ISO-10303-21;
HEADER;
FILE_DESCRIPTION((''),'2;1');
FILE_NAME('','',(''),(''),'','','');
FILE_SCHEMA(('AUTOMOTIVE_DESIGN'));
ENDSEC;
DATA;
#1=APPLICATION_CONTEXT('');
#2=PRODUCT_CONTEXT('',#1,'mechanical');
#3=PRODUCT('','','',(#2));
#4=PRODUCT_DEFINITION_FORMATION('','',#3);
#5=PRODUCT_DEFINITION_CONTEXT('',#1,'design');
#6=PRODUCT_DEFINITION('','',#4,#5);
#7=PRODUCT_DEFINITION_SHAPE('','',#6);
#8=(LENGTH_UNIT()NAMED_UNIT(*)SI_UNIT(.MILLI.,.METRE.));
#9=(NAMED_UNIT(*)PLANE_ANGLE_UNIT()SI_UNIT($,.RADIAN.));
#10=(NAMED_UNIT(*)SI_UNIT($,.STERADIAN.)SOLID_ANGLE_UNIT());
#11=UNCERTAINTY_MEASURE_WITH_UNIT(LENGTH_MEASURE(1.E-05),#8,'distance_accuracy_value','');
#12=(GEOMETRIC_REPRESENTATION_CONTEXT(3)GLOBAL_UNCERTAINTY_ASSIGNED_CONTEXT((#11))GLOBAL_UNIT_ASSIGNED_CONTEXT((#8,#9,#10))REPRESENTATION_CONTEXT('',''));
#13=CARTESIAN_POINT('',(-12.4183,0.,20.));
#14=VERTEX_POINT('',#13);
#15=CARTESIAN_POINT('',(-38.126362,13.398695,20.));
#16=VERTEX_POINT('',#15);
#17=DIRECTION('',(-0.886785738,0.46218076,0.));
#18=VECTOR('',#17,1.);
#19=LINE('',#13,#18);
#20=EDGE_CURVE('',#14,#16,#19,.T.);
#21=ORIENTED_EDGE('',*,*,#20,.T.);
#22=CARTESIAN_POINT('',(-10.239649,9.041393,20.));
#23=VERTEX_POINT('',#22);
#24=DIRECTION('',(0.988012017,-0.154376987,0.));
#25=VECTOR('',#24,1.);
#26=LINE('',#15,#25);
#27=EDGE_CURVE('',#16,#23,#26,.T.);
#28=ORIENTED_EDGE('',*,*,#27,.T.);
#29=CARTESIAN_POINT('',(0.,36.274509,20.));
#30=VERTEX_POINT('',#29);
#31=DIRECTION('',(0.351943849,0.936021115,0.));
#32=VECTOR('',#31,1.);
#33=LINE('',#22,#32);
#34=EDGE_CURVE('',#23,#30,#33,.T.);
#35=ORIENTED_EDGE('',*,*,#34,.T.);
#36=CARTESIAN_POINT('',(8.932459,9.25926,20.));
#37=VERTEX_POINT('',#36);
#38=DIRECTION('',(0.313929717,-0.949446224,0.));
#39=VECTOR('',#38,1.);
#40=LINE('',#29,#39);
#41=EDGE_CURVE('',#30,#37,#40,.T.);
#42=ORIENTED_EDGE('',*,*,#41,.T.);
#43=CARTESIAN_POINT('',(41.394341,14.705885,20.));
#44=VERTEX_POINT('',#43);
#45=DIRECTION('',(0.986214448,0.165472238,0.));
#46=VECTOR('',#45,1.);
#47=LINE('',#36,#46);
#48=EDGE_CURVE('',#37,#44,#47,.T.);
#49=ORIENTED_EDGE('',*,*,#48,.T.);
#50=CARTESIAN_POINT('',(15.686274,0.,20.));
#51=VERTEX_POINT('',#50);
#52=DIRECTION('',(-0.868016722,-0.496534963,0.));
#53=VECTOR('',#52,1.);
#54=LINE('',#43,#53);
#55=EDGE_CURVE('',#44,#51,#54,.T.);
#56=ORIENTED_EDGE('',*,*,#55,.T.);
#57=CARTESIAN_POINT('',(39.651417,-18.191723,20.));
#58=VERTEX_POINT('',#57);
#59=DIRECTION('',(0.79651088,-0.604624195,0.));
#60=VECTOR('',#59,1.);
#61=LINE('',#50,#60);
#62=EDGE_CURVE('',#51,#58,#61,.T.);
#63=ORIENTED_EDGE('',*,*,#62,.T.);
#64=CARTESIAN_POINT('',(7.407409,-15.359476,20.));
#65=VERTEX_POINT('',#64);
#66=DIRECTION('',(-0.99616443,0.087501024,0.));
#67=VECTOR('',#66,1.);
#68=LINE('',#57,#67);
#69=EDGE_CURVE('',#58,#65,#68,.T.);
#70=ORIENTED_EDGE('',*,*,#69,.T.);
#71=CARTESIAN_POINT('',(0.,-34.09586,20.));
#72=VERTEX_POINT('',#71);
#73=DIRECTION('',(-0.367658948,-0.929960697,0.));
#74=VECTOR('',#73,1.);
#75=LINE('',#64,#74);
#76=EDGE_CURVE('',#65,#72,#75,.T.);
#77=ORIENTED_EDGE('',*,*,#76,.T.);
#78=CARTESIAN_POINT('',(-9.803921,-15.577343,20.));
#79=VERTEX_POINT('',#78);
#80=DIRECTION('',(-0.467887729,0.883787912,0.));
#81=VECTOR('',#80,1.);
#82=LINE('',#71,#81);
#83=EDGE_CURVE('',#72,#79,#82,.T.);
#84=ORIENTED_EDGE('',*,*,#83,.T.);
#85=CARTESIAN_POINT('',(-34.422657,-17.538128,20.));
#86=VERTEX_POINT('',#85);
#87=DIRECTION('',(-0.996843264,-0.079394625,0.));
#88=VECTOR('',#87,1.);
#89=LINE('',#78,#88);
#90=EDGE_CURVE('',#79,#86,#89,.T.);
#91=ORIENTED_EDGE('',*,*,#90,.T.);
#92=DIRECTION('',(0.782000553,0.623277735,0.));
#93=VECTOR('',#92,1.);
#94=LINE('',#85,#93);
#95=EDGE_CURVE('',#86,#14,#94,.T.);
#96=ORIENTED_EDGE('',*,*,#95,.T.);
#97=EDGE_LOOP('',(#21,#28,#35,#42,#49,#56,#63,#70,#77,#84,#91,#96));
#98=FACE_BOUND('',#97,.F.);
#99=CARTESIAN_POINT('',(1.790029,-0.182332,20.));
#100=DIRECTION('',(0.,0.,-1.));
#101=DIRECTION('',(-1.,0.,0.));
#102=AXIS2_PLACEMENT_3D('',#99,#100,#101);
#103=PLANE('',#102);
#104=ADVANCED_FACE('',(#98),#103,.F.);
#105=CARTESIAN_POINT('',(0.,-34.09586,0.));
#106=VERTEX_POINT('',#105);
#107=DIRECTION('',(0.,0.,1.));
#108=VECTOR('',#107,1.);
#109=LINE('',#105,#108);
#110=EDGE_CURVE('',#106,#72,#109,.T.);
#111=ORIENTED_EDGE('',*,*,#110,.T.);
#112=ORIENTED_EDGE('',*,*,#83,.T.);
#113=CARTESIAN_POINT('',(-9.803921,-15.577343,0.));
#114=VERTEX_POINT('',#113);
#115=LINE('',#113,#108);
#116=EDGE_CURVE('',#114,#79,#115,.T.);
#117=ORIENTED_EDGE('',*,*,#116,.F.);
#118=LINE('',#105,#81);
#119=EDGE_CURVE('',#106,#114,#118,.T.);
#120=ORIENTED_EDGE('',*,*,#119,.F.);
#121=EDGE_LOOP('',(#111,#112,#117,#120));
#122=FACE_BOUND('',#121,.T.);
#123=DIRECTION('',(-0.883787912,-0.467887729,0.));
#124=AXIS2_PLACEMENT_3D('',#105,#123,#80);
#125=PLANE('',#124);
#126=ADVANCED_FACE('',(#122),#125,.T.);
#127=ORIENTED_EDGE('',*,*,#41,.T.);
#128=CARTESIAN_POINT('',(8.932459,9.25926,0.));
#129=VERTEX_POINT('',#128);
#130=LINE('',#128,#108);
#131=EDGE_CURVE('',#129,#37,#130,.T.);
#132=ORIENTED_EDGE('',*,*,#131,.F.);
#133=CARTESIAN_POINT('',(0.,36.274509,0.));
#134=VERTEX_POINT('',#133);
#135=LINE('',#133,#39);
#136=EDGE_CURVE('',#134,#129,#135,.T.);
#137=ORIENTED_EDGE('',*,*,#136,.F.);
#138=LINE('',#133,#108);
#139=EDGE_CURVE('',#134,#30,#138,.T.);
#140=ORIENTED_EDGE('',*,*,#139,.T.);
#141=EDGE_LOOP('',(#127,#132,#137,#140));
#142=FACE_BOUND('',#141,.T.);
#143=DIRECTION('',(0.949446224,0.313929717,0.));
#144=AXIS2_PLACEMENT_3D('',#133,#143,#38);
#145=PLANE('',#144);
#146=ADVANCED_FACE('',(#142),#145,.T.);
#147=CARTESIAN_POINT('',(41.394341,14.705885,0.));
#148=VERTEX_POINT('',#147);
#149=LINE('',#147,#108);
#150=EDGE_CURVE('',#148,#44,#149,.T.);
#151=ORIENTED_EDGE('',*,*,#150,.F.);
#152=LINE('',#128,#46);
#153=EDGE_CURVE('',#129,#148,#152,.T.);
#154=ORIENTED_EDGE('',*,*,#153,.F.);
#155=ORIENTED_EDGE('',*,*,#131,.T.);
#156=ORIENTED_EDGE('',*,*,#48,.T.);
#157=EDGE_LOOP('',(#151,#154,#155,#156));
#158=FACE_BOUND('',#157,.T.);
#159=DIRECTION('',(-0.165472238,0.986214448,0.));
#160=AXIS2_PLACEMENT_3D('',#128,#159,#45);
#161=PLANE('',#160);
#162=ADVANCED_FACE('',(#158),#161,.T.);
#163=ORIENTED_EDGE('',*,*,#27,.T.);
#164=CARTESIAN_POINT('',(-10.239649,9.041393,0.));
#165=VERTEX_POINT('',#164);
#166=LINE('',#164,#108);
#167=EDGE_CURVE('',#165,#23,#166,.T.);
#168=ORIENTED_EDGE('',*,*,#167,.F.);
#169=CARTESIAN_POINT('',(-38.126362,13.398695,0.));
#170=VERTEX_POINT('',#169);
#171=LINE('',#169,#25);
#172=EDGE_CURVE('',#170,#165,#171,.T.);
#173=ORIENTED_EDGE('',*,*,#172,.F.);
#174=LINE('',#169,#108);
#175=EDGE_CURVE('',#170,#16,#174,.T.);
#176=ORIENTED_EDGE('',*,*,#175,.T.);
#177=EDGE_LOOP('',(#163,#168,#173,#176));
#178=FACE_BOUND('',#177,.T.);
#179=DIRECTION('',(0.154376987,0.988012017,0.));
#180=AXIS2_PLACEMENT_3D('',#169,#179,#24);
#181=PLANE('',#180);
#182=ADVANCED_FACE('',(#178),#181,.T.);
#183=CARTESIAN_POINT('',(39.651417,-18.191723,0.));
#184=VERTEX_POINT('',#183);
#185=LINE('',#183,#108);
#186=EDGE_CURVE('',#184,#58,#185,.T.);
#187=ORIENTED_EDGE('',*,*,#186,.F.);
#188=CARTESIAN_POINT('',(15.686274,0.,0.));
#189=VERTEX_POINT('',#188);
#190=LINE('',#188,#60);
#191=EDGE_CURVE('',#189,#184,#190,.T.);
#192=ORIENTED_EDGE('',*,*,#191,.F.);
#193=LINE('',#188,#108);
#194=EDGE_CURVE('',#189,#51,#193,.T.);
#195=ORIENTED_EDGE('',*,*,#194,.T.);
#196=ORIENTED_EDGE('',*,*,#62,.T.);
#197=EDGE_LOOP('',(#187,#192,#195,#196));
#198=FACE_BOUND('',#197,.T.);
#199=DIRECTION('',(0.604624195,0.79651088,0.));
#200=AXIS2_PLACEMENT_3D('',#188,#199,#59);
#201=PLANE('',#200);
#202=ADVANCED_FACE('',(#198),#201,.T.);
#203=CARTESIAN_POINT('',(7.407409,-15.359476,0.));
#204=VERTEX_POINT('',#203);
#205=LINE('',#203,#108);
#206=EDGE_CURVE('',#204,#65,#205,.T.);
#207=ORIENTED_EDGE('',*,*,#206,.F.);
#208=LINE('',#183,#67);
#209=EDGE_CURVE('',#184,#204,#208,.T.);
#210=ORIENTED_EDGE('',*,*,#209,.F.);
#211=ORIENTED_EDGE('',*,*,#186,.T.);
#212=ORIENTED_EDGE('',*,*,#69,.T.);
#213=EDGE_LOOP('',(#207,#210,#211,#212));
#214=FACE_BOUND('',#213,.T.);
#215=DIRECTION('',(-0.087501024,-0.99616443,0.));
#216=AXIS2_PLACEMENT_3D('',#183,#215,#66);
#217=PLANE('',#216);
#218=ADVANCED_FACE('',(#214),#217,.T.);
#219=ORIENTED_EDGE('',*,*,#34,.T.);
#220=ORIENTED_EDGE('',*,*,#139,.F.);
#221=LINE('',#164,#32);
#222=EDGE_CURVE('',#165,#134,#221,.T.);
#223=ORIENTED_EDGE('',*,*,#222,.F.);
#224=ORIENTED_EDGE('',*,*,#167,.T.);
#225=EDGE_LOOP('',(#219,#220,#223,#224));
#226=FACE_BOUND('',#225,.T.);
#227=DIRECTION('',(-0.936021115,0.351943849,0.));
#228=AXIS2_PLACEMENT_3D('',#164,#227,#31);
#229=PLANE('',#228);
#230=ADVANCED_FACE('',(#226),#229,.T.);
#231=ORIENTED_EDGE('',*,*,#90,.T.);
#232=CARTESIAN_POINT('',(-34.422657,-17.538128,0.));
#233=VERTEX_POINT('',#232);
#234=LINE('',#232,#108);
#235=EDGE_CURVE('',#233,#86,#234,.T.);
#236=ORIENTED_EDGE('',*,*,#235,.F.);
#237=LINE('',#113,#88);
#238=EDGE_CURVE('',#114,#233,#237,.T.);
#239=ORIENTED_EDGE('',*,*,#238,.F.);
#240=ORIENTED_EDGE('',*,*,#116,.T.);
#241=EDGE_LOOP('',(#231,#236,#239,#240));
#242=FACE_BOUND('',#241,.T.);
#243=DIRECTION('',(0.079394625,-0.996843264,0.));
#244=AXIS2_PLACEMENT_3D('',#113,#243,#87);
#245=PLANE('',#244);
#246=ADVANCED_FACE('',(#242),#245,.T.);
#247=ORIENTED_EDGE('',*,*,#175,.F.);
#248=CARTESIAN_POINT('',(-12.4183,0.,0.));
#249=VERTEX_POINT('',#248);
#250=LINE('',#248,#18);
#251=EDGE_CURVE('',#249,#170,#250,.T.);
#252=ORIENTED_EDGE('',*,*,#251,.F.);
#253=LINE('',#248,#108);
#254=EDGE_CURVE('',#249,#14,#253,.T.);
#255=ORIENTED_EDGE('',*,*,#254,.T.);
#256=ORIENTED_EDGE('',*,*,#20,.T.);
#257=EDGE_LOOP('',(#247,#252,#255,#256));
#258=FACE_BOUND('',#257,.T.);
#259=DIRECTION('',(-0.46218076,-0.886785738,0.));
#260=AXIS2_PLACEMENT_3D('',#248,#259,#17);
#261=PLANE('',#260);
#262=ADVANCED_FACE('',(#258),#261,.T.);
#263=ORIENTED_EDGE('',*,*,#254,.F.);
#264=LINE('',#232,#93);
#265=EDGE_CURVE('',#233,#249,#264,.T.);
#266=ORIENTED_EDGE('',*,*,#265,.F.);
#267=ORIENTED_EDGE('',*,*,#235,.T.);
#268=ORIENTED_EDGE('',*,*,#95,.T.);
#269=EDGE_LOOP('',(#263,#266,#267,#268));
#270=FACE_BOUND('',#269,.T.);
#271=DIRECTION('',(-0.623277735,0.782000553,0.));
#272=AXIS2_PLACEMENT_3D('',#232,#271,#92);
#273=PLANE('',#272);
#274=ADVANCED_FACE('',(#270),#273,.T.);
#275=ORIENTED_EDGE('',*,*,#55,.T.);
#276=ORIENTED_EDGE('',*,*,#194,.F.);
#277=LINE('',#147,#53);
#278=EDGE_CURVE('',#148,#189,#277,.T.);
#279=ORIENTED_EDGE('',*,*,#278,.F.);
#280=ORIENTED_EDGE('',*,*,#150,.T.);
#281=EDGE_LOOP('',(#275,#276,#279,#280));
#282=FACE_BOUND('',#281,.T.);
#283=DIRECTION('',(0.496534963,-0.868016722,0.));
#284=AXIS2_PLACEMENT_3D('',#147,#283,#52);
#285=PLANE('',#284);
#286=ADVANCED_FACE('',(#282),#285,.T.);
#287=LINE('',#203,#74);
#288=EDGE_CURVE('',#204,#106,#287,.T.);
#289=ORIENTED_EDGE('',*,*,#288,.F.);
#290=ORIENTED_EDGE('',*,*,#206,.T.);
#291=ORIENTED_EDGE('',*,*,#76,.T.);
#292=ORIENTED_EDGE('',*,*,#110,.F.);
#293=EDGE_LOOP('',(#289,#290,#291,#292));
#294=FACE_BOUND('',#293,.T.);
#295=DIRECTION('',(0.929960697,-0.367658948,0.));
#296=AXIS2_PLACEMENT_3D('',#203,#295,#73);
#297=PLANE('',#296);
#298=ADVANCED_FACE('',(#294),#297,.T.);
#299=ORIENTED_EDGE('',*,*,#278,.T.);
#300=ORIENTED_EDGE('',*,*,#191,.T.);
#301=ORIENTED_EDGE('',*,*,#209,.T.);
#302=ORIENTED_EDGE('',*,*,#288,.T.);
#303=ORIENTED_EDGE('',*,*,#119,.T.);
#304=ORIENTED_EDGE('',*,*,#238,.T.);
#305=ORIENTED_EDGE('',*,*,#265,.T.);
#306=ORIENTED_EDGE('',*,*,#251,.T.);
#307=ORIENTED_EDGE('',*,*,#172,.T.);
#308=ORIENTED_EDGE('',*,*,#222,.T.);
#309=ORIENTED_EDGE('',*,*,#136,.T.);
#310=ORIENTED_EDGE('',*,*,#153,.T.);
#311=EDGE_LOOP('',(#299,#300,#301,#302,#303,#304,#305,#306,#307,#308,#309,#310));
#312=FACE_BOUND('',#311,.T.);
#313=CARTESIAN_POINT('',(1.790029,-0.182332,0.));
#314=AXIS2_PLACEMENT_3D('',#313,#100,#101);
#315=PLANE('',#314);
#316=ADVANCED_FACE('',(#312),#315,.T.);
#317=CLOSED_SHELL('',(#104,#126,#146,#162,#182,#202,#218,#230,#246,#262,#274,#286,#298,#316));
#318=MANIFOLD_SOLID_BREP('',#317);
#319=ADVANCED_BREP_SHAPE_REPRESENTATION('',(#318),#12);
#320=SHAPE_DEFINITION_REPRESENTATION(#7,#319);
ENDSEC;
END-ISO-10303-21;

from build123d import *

# Parameters (mm, degrees)
PAD_DEPTH = 20


with BuildPart() as part:
    # Sketch → Pad (new body)
    with BuildSketch(Plane.XY):
        Polygon((0, 36.274509), (8.932459, 9.25926), (41.394341, 14.705885), (15.686274, 0), (39.651417, -18.191723), (7.407409, -15.359476), (0, -34.09586), (-9.803921, -15.577343), (-34.422657, -17.538128), (-12.4183, 0), (-38.126362, 13.398695), (-10.239649, 9.041393), align=None)
    extrude(amount=PAD_DEPTH)


solid = part.part
